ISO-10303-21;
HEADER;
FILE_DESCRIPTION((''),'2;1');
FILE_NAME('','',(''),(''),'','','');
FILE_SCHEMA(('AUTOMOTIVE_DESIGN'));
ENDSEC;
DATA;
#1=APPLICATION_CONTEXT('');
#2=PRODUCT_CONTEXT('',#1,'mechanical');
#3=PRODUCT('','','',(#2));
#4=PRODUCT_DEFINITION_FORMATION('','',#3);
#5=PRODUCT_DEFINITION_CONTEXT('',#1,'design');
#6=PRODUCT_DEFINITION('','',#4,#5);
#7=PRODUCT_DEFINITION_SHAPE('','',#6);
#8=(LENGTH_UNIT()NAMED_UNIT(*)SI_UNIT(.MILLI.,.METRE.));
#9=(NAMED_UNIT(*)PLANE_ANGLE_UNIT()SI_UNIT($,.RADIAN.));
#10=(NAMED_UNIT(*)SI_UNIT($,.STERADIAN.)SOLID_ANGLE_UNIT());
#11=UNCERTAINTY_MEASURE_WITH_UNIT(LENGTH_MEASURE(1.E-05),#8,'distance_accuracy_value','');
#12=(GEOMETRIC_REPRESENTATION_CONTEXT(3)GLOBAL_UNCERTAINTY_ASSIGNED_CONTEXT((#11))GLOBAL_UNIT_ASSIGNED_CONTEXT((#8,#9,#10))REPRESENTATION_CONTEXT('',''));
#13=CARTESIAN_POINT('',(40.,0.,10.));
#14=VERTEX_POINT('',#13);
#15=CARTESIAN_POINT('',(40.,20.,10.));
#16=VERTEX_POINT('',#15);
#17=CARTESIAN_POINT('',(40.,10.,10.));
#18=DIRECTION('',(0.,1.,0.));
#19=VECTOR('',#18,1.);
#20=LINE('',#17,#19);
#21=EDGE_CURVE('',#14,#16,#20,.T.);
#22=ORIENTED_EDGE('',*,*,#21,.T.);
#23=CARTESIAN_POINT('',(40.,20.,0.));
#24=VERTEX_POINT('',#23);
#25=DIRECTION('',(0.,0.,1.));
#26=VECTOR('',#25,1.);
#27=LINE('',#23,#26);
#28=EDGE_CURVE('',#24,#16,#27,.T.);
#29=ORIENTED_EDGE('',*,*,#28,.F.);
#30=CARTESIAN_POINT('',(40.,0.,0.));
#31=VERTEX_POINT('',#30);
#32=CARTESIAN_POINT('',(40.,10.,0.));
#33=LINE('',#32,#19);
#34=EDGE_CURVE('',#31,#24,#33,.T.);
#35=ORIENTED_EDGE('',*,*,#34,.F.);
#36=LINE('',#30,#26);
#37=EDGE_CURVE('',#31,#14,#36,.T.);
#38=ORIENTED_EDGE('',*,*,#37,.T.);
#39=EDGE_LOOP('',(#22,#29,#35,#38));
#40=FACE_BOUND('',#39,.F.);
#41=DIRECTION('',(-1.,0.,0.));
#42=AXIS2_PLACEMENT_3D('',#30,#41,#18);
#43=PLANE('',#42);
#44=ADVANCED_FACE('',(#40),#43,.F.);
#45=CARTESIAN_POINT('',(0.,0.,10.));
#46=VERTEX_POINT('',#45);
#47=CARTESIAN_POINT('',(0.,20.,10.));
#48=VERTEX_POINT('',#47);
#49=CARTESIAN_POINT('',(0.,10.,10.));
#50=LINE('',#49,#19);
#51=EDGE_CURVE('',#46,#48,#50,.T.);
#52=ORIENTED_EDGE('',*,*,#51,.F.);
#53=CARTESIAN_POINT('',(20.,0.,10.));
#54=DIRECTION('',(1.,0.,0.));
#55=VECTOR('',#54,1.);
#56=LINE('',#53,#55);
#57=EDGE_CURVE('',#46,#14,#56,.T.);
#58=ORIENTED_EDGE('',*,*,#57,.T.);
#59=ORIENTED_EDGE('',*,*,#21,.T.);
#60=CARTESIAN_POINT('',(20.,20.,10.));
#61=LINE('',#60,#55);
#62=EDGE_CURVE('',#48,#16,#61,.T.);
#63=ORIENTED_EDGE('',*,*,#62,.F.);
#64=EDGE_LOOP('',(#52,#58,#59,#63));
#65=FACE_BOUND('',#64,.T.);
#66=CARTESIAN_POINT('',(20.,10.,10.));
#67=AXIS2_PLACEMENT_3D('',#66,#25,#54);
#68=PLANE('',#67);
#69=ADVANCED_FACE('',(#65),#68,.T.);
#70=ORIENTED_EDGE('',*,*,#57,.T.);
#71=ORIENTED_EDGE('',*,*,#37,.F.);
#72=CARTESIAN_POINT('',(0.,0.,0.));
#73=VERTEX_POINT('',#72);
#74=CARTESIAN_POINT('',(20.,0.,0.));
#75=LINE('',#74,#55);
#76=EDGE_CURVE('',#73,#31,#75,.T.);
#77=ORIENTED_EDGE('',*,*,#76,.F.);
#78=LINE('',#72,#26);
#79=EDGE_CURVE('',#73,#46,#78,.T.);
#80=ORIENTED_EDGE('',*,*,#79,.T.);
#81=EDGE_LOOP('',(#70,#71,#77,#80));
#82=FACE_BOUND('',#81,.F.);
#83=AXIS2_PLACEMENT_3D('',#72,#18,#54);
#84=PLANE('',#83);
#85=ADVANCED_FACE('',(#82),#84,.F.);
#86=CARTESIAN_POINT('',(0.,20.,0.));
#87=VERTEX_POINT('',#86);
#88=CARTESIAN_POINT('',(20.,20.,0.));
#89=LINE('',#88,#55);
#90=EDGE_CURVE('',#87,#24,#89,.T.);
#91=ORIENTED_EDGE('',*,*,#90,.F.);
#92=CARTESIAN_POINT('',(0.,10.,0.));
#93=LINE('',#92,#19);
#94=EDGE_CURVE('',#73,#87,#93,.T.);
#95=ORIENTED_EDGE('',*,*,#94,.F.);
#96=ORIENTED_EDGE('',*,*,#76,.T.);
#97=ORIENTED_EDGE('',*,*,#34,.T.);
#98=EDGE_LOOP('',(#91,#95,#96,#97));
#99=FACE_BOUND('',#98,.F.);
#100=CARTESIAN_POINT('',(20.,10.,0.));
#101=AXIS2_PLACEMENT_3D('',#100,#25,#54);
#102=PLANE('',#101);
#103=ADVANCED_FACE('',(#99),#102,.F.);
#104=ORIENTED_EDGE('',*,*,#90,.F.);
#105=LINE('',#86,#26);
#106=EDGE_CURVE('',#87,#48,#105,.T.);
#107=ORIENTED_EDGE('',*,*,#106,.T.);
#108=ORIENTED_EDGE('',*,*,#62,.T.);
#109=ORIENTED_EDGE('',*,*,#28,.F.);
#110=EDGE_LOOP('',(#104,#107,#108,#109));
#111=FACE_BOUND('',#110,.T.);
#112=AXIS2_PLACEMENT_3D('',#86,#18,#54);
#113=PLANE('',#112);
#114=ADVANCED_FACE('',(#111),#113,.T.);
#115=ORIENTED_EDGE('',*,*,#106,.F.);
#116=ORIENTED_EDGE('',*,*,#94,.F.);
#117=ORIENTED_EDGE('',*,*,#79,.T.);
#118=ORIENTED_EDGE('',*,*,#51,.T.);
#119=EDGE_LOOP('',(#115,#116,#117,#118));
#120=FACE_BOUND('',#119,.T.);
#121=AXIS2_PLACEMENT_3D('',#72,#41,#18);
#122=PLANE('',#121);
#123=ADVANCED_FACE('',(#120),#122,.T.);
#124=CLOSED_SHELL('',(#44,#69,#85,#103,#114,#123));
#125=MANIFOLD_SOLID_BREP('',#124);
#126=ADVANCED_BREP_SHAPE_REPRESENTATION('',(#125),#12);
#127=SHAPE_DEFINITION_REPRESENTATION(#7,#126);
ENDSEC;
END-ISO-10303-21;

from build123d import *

# Parameters (mm, degrees)
SKETCH_W      = 40
SKETCH_H      = 20
EXTRUDE_DEPTH = 10


with BuildPart() as part:
    # Sketch → Extrude (new body)
    with BuildSketch(Plane.XY):
        with Locations((20, 10)):
            Rectangle(SKETCH_W, SKETCH_H)
    extrude(amount=EXTRUDE_DEPTH)


solid = part.part
